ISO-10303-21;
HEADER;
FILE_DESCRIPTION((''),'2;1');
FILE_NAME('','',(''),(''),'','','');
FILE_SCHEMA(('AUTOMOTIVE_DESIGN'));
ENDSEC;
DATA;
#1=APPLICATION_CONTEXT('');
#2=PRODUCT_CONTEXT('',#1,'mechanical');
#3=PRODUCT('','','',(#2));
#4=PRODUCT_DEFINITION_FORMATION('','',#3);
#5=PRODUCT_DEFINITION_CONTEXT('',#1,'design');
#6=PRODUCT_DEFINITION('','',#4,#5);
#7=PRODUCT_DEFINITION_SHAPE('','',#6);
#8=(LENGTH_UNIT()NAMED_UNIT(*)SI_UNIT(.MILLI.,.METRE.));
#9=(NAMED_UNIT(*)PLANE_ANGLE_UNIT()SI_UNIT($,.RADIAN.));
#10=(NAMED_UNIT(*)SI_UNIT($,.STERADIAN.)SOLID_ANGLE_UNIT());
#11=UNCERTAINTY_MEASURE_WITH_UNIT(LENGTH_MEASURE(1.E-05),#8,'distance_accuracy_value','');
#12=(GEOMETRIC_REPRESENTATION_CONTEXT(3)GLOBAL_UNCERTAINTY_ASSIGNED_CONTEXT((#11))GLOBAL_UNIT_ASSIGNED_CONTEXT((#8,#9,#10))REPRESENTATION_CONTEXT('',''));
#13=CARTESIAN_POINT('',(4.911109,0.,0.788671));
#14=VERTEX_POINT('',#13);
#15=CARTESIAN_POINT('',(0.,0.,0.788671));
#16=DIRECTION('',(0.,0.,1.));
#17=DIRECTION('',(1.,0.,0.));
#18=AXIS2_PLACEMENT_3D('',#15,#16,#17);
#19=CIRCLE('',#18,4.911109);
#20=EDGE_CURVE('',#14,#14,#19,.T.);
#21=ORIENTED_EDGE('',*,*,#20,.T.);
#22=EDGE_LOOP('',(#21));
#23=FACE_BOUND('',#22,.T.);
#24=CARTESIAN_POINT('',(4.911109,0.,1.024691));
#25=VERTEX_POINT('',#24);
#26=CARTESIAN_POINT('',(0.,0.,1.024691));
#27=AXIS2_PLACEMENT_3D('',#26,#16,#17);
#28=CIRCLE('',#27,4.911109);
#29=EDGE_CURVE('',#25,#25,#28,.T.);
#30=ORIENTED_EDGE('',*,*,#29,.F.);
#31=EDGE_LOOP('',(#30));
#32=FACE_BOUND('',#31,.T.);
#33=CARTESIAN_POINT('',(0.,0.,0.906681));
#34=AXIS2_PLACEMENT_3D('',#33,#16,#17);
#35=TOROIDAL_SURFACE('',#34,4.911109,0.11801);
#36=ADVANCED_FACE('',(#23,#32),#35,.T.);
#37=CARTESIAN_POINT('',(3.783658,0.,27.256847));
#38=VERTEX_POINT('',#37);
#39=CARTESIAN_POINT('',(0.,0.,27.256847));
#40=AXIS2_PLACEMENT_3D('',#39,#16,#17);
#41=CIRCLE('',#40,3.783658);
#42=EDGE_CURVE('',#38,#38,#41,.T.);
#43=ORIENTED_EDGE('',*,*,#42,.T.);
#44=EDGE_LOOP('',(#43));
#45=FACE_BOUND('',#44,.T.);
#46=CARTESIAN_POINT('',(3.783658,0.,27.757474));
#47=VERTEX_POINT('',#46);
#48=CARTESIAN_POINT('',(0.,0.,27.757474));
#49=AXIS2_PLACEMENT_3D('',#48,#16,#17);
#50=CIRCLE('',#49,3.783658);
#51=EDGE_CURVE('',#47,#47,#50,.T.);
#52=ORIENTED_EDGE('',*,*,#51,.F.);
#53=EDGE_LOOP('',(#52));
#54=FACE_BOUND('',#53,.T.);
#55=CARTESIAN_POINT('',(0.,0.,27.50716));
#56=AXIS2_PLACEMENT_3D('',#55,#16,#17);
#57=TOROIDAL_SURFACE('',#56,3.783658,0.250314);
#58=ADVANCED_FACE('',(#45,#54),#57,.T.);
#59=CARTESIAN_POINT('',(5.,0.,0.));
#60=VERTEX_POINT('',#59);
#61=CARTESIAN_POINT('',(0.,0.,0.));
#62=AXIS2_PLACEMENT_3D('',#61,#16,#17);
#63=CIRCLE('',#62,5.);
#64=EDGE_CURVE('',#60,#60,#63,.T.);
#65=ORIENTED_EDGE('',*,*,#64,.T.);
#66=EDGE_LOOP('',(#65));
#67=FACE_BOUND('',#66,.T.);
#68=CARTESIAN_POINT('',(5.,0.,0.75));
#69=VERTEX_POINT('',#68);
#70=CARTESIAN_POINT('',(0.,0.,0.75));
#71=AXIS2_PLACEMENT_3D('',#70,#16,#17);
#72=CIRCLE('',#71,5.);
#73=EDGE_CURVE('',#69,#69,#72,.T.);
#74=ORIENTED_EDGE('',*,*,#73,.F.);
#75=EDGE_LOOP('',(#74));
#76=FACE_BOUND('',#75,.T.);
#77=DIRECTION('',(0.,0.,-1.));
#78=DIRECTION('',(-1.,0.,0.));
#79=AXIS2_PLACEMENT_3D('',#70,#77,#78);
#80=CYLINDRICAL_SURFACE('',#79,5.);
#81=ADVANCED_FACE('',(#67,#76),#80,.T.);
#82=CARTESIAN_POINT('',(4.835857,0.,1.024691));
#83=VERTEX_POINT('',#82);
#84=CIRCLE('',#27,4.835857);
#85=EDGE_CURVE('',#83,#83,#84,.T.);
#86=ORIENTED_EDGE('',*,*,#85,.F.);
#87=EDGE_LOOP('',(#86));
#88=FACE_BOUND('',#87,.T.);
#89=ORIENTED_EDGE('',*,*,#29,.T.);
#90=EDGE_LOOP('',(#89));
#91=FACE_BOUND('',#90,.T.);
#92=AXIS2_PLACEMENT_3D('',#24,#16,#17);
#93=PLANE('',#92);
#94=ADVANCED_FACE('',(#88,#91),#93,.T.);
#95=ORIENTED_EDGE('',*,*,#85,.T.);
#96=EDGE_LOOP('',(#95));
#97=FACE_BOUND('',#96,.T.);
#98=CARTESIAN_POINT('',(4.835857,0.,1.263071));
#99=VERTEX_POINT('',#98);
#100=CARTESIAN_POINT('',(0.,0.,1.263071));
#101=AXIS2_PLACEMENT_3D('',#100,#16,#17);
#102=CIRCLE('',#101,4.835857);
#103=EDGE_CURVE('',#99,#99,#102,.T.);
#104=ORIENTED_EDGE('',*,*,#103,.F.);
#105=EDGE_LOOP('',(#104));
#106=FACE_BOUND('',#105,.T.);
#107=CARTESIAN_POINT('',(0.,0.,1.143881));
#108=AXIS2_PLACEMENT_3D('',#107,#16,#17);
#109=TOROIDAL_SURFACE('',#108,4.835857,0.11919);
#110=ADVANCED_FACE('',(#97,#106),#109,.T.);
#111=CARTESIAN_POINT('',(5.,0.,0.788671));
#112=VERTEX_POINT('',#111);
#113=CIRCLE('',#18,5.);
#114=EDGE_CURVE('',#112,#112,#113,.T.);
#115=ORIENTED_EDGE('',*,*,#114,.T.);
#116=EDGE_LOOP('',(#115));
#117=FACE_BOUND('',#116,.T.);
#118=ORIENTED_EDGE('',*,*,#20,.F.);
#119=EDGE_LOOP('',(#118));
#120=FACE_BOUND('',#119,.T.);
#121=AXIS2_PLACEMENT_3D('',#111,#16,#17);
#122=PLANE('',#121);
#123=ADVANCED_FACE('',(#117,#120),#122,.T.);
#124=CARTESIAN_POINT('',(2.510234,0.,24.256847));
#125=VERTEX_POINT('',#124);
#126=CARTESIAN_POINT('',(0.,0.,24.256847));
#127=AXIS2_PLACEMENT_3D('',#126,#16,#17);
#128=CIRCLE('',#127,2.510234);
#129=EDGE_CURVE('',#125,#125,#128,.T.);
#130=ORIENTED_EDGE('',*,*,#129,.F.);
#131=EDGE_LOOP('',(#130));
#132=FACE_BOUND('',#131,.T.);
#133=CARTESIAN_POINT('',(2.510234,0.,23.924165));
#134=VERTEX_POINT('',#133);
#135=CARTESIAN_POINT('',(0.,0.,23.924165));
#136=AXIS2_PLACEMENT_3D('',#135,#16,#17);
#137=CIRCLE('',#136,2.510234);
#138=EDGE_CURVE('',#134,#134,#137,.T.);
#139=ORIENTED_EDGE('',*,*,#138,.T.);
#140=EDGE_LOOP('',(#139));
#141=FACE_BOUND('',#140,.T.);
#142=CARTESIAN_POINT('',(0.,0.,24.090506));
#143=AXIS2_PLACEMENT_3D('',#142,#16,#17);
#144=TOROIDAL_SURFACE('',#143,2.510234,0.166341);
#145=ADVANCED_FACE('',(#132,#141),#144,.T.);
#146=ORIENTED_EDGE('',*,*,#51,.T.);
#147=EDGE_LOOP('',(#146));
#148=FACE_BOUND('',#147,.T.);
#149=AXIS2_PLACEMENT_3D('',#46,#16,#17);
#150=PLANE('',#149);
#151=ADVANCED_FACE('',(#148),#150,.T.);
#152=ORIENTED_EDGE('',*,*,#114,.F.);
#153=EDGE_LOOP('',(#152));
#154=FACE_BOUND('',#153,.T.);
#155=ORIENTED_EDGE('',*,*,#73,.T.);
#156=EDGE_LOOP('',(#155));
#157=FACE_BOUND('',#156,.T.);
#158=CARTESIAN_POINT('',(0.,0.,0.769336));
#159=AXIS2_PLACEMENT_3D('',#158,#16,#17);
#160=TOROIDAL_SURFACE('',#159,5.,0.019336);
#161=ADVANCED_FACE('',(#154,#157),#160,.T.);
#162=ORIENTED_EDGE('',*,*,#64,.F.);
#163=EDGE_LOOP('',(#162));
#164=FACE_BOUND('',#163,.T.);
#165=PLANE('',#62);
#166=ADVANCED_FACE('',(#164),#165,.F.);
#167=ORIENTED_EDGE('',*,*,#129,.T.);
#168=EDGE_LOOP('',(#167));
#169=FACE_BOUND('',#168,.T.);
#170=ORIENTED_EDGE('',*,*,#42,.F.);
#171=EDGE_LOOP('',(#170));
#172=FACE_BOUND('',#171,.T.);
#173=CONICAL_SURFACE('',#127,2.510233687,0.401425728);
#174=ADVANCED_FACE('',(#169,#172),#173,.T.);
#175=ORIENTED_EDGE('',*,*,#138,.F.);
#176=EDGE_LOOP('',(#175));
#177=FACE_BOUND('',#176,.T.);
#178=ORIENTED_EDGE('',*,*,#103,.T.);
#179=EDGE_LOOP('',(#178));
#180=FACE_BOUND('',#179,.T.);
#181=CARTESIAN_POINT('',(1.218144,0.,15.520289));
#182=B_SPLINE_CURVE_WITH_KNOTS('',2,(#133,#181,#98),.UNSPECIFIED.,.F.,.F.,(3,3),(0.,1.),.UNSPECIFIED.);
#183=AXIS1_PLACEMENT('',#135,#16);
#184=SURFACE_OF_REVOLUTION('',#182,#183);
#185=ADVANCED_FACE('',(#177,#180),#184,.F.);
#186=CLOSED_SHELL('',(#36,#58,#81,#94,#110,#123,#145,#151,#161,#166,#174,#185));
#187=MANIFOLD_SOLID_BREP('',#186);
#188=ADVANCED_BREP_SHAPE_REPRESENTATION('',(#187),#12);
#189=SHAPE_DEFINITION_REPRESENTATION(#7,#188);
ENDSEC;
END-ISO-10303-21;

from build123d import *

# Parameters (mm, degrees)
SKETCH1_R           = 5
BOSS_EXTRUDE1_DEPTH = 0.75
SKETCH14_R          = 2.510233687
BOSS_EXTRUDE2_DEPTH = 3
BOSS_EXTRUDE2_DRAFT = -23


with BuildPart() as part:
    # Sketch1 → Boss-Extrude1 (new body)
    with BuildSketch(Plane.XY):
        Circle(SKETCH1_R)
    extrude(amount=BOSS_EXTRUDE1_DEPTH)

    # Sketch7 → Revolve1 (revolve)
    with BuildSketch(Plane(origin=(0, 0, 0), x_dir=(1, 0, 0), z_dir=(0, 1, 0))):
        with BuildLine():
            Line((0, -0.75), (5, -0.75))
            ThreePointArc((5, -0.75), (5.019335629, -0.769335629), (5, -0.788671258))
            Line((5, -0.788671258), (0, -0.788671258))
            Line((0, -0.788671258), (0, -0.75))
        make_face()
    revolve(axis=Axis((0, 0, 0.788671258), (0, 0, -1)))

    # Sketch8 → Revolve2 (revolve)
    with BuildSketch(Plane(origin=(0, 0, 0), x_dir=(1, 0, 0), z_dir=(0, 1, 0))):
        with BuildLine():
            Line((0, -0.788671258), (4.911108997, -0.788671258))
            ThreePointArc((4.911108997, -0.788671258), (5.029118673, -0.906680934), (4.911108997, -1.02469061))
            Line((4.911108997, -1.02469061), (0, -1.02469061))
            Line((0, -1.02469061), (0, -0.788671258))
        make_face()
    revolve(axis=Axis((0, 0, 1.02469061), (0, 0, -1)))

    # Sketch10 → Revolve3 (revolve)
    with BuildSketch(Plane(origin=(0, 0, 0), x_dir=(1, 0, 0), z_dir=(0, 1, 0))):
        with BuildLine():
            Line((0, -1.02469061), (4.835857084, -1.02469061))
            ThreePointArc((4.835857084, -1.02469061), (4.955047084, -1.14388061), (4.835857084, -1.26307061))
            Line((4.835857084, -1.26307061), (0, -1.26307061))
            Line((0, -1.26307061), (0, -1.02469061))
        make_face()
    revolve(axis=Axis((0, 0, 1.26307061), (0, 0, -1)))

    # Sketch11 → Revolve4 (revolve)
    with BuildSketch(Plane(origin=(0, 0, 0), x_dir=(1, 0, 0), z_dir=(0, 1, 0))):
        with BuildLine():
            Line((2.510233687, -23.924164981), (0, -23.924164981))
            Line((0, -23.924164981), (0, -1.26307061))
            Line((0, -1.26307061), (4.835857084, -1.26307061))
            add(Edge.make_bspline(
                [(4.835857084, -1.26307061), (1.218144342, -15.520288788), (2.510233687, -23.924164981)],
                knots=[0, 0, 0, 1, 1, 1], degree=2))
        make_face()
    revolve(axis=Axis((0, 0, 23.924164981), (0, 0, -1)))

    # Sketch12 → Revolve5 (revolve)
    with BuildSketch(Plane(origin=(0, 0, 0), x_dir=(1, 0, 0), z_dir=(0, 1, 0))):
        with BuildLine():
            Line((0, -23.924164981), (2.510233687, -23.924164981))
            ThreePointArc((2.510233687, -23.924164981), (2.676574622, -24.090505915), (2.510233687, -24.25684685))
            Line((2.510233687, -24.25684685), (0, -24.25684685))
            Line((0, -24.25684685), (0, -23.924164981))
        make_face()
    revolve(axis=Axis((0, 0, 24.25684685), (0, 0, -1)))


with BuildPart() as boss_extrude2_tool:
    # Sketch14 → Boss-Extrude2 (with draft: the straight prism first)
    with BuildSketch(Plane.XY.offset(24.25684685)):
        Circle(SKETCH14_R)
    extrude(amount=BOSS_EXTRUDE2_DEPTH)
    # Boss-Extrude2: the draft: its side faces are tilted about the plane it starts from
    boss_extrude2_sides = [boss_extrude2_tool.faces().sort_by_distance(p)[0] for p in [
        (-2.510233687, 0, 25.75684685),
    ]]
    draft(boss_extrude2_sides, Plane.XY.offset(24.25684685), BOSS_EXTRUDE2_DRAFT)


with BuildPart() as part_1:
    add(part.part)

    # Boss-Extrude2: add boss_extrude2_tool
    add(boss_extrude2_tool.part)

    # Sketch15 → Revolve6 (revolve)
    with BuildSketch(Plane(origin=(0, 0, 0), x_dir=(1, 0, 0), z_dir=(0, 1, 0))):
        with BuildLine():
            Line((0, -27.25684685), (3.783658136, -27.25684685))
            ThreePointArc((3.783658136, -27.25684685), (4.033971653, -27.507160367), (3.783658136, -27.757473884))
            Line((3.783658136, -27.757473884), (0, -27.757473884))
            Line((0, -27.757473884), (0, -27.25684685))
        make_face()
    revolve(axis=Axis((0, 0, 27.757473884), (0, 0, -1)))


solid = part_1.part
